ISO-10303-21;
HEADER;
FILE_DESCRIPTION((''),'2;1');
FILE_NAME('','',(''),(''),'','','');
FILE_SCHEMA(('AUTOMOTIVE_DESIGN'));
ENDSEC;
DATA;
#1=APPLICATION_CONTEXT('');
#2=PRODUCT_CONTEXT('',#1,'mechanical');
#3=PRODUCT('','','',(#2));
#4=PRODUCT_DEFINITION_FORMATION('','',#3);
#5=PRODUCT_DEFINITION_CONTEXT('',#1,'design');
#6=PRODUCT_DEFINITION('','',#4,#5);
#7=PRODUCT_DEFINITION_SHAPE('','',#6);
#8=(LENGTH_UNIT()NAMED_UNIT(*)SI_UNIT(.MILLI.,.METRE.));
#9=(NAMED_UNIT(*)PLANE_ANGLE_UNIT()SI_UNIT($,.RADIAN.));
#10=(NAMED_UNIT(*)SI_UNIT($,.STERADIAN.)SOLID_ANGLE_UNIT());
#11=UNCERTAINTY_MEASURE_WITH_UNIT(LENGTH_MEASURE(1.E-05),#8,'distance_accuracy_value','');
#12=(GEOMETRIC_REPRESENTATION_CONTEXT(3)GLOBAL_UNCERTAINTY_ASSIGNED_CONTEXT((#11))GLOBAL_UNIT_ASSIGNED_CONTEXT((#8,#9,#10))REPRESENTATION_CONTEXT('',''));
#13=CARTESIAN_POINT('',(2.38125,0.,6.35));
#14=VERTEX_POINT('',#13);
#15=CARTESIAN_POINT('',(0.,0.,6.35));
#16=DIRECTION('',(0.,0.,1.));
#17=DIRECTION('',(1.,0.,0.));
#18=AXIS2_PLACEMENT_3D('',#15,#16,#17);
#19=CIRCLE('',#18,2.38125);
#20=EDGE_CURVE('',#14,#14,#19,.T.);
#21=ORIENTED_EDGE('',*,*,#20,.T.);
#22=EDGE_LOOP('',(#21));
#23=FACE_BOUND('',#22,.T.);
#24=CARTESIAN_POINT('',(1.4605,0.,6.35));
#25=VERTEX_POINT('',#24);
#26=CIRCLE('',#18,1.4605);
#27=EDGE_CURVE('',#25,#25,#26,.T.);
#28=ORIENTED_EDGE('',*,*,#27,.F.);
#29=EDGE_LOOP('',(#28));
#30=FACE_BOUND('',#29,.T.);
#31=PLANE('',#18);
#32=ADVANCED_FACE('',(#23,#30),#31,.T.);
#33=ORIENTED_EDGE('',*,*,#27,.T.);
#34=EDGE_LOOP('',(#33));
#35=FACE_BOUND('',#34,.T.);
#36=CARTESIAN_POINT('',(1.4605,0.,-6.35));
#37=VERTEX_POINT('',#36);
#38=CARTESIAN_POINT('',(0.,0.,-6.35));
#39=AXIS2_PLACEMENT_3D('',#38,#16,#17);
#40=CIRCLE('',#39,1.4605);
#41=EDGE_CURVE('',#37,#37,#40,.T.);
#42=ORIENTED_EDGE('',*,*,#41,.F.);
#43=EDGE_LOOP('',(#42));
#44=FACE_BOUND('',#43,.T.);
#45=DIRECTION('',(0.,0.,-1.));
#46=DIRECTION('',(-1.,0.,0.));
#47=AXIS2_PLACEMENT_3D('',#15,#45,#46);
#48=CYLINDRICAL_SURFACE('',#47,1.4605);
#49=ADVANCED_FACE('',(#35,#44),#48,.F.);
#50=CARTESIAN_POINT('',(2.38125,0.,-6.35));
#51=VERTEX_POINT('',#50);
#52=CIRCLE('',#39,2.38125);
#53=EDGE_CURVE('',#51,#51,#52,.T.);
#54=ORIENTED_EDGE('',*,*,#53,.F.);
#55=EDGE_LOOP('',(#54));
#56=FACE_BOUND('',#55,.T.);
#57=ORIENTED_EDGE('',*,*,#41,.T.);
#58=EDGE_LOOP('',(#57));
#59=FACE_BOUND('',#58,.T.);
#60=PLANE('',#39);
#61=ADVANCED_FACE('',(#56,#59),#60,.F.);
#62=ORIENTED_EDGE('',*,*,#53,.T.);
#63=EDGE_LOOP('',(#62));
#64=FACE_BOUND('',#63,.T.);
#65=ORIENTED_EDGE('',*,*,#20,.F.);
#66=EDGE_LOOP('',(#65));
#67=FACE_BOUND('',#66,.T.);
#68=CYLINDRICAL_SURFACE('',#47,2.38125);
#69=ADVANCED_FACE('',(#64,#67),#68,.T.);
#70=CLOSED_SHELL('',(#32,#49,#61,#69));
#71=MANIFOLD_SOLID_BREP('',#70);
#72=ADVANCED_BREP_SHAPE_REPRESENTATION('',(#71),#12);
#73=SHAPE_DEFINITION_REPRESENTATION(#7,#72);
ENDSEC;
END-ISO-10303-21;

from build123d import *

# Parameters (mm, degrees)
SKETCH1_R           = 2.38125
SKETCH1_R_2         = 1.4605
EXTRUDE1_DEPTH      = 6.35
EXTRUDE1_DEPTH_BACK = 6.35


with BuildPart() as part:
    # Sketch1 → Extrude1 (new body, two sides)
    with BuildSketch(Plane.XY) as extrude1_sk:
        Circle(SKETCH1_R)
        Circle(SKETCH1_R_2, mode=Mode.SUBTRACT)
    extrude(amount=EXTRUDE1_DEPTH)
    extrude(extrude1_sk.sketch, amount=-EXTRUDE1_DEPTH_BACK)


solid = part.part
